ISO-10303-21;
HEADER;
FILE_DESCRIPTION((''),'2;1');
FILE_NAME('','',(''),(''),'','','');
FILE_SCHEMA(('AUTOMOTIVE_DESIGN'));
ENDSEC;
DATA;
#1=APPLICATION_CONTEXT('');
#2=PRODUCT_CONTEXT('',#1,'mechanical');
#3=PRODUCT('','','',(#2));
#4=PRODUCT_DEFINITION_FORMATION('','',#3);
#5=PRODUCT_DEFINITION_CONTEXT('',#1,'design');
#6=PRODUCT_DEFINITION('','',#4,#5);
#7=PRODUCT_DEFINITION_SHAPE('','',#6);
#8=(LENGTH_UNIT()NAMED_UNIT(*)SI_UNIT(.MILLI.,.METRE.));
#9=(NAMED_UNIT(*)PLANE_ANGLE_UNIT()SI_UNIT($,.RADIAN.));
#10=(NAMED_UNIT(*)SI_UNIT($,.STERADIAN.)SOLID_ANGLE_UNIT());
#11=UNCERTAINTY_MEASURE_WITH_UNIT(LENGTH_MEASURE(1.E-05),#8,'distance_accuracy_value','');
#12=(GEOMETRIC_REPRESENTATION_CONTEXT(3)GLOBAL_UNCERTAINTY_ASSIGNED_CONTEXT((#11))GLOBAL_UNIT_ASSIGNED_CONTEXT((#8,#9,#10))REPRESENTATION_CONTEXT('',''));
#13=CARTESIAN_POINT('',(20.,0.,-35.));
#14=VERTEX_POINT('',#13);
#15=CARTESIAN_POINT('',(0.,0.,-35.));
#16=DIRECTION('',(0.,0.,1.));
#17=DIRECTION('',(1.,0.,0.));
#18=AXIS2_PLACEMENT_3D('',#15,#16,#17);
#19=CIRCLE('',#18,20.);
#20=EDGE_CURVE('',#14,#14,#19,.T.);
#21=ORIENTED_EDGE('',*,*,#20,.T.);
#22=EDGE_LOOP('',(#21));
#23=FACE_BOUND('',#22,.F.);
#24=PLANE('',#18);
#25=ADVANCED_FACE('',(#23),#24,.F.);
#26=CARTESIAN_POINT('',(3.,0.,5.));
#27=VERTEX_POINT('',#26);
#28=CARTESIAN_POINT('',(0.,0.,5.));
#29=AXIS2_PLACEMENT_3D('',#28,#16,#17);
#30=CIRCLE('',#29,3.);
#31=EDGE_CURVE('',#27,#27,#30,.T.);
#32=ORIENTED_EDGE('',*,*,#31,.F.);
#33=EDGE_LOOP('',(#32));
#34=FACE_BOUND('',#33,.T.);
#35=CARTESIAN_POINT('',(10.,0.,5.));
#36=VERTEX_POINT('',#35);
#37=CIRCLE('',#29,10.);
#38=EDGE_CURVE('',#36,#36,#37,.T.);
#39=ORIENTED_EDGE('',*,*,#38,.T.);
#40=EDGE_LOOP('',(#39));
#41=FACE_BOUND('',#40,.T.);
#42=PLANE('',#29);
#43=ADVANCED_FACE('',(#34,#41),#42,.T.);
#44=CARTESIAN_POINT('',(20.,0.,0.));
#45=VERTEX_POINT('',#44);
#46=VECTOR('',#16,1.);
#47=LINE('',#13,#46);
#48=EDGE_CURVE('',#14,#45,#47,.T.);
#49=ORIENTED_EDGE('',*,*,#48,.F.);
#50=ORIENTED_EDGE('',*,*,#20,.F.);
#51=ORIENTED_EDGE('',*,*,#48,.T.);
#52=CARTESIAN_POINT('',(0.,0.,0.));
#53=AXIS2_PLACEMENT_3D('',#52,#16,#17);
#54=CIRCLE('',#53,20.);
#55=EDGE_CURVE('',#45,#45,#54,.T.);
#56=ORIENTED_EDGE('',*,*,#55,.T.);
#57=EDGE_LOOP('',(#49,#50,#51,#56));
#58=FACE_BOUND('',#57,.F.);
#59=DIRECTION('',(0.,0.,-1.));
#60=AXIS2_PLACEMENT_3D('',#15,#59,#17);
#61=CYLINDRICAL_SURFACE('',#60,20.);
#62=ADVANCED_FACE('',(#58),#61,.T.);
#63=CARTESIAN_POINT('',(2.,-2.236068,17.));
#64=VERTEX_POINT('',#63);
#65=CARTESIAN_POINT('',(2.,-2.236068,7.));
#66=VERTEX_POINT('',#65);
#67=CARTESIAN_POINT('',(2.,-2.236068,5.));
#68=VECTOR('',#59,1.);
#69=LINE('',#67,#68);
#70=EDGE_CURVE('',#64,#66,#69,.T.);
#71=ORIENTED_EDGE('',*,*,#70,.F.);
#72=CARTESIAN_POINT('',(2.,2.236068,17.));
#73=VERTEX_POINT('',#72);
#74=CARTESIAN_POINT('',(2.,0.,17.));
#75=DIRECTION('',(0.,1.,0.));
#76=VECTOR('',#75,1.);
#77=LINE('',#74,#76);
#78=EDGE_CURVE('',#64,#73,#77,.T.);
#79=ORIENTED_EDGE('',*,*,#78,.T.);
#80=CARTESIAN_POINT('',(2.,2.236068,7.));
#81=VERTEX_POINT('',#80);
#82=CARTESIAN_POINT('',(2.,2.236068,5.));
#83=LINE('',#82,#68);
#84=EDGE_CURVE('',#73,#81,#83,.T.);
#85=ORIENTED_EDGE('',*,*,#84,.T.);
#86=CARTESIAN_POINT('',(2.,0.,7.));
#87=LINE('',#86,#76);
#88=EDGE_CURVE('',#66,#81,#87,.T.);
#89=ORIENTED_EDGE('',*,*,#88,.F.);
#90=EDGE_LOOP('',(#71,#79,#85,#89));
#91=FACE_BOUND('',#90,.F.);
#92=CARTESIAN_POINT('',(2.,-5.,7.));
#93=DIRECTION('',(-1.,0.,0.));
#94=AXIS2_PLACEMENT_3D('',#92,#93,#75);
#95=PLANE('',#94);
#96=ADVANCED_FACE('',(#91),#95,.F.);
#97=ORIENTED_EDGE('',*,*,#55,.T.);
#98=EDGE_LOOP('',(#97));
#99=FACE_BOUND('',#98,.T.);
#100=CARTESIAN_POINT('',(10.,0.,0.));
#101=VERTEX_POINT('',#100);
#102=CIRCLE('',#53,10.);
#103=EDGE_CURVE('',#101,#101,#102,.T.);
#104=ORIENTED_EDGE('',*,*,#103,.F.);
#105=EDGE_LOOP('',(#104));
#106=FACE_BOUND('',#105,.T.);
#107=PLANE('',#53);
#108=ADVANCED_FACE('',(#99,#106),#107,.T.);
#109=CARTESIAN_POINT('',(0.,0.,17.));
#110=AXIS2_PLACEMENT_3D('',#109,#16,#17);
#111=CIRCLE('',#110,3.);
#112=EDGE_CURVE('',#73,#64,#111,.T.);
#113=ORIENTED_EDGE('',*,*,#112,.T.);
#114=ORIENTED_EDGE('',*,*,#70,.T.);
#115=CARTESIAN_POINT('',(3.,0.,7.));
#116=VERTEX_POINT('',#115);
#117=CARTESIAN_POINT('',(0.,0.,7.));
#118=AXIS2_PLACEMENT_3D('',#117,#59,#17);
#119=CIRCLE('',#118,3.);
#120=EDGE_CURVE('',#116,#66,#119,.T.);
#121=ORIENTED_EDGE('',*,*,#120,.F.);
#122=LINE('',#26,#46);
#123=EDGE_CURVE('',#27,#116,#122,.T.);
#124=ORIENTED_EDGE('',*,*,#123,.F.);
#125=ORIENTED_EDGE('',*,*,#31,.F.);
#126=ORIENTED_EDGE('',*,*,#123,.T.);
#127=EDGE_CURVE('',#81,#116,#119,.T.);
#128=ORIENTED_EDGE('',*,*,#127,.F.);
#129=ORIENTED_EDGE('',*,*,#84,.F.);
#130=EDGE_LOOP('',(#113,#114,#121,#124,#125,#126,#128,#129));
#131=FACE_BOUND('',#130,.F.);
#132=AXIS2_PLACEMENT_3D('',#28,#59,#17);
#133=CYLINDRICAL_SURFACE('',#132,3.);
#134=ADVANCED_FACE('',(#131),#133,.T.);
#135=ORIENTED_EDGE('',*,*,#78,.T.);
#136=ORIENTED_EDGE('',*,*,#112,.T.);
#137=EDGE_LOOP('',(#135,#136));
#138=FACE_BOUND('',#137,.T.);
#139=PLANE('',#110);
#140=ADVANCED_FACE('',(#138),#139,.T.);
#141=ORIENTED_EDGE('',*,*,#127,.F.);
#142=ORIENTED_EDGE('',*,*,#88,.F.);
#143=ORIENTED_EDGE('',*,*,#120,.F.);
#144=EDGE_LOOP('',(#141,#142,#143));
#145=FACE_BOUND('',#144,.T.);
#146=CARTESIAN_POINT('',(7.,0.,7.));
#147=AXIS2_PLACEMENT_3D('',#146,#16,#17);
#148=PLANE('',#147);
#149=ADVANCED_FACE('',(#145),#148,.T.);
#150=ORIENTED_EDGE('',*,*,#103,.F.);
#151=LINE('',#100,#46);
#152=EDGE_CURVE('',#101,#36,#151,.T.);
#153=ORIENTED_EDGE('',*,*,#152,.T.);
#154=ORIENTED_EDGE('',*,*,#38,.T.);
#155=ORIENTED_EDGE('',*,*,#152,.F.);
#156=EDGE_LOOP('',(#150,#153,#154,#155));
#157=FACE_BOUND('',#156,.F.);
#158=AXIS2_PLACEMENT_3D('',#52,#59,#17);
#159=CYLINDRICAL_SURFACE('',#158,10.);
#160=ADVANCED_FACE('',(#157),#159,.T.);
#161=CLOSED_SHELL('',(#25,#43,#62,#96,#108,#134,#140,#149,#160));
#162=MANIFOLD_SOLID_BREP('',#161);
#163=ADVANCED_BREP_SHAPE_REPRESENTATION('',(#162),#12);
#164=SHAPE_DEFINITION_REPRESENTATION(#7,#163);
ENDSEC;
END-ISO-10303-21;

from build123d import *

# Parameters (mm, degrees)
BOX_W             = 10
BOX_H             = 10
BOX_DEPTH         = 10
CYLINDER001_R     = 10
CYLINDER001_DEPTH = 5
CYLINDER002_R     = 3
CYLINDER002_DEPTH = 12
CYLINDER_R        = 20
CYLINDER_DEPTH    = 35


with BuildPart() as cube:
    # Box → Box (new body)
    with BuildSketch(Plane(origin=(2, -5, 7), x_dir=(1, 0, 0), z_dir=(0, 0, 1))):
        with Locations((5, 5)):
            Rectangle(BOX_W, BOX_H)
    extrude(amount=BOX_DEPTH)


with BuildPart() as cylinder001:
    # Cylinder001 → Cylinder001 (new body)
    with BuildSketch(Plane.XY):
        Circle(CYLINDER001_R)
    extrude(amount=CYLINDER001_DEPTH)


with BuildPart() as cylinder002:
    # Cylinder002 → Cylinder002 (new body)
    with BuildSketch(Plane.XY.offset(5)):
        Circle(CYLINDER002_R)
    extrude(amount=CYLINDER002_DEPTH)


with BuildPart() as cut:
    # Cylinder → Cylinder (new body)
    with BuildSketch(Plane.XY.offset(-35)):
        Circle(CYLINDER_R)
    extrude(amount=CYLINDER_DEPTH)

    # Fusion: union Cylinder001, Cylinder002
    add(cylinder001.part)
    add(cylinder002.part)

    # Cut: cut Cube
    add(cube.part, mode=Mode.SUBTRACT)


solid = cut.part
